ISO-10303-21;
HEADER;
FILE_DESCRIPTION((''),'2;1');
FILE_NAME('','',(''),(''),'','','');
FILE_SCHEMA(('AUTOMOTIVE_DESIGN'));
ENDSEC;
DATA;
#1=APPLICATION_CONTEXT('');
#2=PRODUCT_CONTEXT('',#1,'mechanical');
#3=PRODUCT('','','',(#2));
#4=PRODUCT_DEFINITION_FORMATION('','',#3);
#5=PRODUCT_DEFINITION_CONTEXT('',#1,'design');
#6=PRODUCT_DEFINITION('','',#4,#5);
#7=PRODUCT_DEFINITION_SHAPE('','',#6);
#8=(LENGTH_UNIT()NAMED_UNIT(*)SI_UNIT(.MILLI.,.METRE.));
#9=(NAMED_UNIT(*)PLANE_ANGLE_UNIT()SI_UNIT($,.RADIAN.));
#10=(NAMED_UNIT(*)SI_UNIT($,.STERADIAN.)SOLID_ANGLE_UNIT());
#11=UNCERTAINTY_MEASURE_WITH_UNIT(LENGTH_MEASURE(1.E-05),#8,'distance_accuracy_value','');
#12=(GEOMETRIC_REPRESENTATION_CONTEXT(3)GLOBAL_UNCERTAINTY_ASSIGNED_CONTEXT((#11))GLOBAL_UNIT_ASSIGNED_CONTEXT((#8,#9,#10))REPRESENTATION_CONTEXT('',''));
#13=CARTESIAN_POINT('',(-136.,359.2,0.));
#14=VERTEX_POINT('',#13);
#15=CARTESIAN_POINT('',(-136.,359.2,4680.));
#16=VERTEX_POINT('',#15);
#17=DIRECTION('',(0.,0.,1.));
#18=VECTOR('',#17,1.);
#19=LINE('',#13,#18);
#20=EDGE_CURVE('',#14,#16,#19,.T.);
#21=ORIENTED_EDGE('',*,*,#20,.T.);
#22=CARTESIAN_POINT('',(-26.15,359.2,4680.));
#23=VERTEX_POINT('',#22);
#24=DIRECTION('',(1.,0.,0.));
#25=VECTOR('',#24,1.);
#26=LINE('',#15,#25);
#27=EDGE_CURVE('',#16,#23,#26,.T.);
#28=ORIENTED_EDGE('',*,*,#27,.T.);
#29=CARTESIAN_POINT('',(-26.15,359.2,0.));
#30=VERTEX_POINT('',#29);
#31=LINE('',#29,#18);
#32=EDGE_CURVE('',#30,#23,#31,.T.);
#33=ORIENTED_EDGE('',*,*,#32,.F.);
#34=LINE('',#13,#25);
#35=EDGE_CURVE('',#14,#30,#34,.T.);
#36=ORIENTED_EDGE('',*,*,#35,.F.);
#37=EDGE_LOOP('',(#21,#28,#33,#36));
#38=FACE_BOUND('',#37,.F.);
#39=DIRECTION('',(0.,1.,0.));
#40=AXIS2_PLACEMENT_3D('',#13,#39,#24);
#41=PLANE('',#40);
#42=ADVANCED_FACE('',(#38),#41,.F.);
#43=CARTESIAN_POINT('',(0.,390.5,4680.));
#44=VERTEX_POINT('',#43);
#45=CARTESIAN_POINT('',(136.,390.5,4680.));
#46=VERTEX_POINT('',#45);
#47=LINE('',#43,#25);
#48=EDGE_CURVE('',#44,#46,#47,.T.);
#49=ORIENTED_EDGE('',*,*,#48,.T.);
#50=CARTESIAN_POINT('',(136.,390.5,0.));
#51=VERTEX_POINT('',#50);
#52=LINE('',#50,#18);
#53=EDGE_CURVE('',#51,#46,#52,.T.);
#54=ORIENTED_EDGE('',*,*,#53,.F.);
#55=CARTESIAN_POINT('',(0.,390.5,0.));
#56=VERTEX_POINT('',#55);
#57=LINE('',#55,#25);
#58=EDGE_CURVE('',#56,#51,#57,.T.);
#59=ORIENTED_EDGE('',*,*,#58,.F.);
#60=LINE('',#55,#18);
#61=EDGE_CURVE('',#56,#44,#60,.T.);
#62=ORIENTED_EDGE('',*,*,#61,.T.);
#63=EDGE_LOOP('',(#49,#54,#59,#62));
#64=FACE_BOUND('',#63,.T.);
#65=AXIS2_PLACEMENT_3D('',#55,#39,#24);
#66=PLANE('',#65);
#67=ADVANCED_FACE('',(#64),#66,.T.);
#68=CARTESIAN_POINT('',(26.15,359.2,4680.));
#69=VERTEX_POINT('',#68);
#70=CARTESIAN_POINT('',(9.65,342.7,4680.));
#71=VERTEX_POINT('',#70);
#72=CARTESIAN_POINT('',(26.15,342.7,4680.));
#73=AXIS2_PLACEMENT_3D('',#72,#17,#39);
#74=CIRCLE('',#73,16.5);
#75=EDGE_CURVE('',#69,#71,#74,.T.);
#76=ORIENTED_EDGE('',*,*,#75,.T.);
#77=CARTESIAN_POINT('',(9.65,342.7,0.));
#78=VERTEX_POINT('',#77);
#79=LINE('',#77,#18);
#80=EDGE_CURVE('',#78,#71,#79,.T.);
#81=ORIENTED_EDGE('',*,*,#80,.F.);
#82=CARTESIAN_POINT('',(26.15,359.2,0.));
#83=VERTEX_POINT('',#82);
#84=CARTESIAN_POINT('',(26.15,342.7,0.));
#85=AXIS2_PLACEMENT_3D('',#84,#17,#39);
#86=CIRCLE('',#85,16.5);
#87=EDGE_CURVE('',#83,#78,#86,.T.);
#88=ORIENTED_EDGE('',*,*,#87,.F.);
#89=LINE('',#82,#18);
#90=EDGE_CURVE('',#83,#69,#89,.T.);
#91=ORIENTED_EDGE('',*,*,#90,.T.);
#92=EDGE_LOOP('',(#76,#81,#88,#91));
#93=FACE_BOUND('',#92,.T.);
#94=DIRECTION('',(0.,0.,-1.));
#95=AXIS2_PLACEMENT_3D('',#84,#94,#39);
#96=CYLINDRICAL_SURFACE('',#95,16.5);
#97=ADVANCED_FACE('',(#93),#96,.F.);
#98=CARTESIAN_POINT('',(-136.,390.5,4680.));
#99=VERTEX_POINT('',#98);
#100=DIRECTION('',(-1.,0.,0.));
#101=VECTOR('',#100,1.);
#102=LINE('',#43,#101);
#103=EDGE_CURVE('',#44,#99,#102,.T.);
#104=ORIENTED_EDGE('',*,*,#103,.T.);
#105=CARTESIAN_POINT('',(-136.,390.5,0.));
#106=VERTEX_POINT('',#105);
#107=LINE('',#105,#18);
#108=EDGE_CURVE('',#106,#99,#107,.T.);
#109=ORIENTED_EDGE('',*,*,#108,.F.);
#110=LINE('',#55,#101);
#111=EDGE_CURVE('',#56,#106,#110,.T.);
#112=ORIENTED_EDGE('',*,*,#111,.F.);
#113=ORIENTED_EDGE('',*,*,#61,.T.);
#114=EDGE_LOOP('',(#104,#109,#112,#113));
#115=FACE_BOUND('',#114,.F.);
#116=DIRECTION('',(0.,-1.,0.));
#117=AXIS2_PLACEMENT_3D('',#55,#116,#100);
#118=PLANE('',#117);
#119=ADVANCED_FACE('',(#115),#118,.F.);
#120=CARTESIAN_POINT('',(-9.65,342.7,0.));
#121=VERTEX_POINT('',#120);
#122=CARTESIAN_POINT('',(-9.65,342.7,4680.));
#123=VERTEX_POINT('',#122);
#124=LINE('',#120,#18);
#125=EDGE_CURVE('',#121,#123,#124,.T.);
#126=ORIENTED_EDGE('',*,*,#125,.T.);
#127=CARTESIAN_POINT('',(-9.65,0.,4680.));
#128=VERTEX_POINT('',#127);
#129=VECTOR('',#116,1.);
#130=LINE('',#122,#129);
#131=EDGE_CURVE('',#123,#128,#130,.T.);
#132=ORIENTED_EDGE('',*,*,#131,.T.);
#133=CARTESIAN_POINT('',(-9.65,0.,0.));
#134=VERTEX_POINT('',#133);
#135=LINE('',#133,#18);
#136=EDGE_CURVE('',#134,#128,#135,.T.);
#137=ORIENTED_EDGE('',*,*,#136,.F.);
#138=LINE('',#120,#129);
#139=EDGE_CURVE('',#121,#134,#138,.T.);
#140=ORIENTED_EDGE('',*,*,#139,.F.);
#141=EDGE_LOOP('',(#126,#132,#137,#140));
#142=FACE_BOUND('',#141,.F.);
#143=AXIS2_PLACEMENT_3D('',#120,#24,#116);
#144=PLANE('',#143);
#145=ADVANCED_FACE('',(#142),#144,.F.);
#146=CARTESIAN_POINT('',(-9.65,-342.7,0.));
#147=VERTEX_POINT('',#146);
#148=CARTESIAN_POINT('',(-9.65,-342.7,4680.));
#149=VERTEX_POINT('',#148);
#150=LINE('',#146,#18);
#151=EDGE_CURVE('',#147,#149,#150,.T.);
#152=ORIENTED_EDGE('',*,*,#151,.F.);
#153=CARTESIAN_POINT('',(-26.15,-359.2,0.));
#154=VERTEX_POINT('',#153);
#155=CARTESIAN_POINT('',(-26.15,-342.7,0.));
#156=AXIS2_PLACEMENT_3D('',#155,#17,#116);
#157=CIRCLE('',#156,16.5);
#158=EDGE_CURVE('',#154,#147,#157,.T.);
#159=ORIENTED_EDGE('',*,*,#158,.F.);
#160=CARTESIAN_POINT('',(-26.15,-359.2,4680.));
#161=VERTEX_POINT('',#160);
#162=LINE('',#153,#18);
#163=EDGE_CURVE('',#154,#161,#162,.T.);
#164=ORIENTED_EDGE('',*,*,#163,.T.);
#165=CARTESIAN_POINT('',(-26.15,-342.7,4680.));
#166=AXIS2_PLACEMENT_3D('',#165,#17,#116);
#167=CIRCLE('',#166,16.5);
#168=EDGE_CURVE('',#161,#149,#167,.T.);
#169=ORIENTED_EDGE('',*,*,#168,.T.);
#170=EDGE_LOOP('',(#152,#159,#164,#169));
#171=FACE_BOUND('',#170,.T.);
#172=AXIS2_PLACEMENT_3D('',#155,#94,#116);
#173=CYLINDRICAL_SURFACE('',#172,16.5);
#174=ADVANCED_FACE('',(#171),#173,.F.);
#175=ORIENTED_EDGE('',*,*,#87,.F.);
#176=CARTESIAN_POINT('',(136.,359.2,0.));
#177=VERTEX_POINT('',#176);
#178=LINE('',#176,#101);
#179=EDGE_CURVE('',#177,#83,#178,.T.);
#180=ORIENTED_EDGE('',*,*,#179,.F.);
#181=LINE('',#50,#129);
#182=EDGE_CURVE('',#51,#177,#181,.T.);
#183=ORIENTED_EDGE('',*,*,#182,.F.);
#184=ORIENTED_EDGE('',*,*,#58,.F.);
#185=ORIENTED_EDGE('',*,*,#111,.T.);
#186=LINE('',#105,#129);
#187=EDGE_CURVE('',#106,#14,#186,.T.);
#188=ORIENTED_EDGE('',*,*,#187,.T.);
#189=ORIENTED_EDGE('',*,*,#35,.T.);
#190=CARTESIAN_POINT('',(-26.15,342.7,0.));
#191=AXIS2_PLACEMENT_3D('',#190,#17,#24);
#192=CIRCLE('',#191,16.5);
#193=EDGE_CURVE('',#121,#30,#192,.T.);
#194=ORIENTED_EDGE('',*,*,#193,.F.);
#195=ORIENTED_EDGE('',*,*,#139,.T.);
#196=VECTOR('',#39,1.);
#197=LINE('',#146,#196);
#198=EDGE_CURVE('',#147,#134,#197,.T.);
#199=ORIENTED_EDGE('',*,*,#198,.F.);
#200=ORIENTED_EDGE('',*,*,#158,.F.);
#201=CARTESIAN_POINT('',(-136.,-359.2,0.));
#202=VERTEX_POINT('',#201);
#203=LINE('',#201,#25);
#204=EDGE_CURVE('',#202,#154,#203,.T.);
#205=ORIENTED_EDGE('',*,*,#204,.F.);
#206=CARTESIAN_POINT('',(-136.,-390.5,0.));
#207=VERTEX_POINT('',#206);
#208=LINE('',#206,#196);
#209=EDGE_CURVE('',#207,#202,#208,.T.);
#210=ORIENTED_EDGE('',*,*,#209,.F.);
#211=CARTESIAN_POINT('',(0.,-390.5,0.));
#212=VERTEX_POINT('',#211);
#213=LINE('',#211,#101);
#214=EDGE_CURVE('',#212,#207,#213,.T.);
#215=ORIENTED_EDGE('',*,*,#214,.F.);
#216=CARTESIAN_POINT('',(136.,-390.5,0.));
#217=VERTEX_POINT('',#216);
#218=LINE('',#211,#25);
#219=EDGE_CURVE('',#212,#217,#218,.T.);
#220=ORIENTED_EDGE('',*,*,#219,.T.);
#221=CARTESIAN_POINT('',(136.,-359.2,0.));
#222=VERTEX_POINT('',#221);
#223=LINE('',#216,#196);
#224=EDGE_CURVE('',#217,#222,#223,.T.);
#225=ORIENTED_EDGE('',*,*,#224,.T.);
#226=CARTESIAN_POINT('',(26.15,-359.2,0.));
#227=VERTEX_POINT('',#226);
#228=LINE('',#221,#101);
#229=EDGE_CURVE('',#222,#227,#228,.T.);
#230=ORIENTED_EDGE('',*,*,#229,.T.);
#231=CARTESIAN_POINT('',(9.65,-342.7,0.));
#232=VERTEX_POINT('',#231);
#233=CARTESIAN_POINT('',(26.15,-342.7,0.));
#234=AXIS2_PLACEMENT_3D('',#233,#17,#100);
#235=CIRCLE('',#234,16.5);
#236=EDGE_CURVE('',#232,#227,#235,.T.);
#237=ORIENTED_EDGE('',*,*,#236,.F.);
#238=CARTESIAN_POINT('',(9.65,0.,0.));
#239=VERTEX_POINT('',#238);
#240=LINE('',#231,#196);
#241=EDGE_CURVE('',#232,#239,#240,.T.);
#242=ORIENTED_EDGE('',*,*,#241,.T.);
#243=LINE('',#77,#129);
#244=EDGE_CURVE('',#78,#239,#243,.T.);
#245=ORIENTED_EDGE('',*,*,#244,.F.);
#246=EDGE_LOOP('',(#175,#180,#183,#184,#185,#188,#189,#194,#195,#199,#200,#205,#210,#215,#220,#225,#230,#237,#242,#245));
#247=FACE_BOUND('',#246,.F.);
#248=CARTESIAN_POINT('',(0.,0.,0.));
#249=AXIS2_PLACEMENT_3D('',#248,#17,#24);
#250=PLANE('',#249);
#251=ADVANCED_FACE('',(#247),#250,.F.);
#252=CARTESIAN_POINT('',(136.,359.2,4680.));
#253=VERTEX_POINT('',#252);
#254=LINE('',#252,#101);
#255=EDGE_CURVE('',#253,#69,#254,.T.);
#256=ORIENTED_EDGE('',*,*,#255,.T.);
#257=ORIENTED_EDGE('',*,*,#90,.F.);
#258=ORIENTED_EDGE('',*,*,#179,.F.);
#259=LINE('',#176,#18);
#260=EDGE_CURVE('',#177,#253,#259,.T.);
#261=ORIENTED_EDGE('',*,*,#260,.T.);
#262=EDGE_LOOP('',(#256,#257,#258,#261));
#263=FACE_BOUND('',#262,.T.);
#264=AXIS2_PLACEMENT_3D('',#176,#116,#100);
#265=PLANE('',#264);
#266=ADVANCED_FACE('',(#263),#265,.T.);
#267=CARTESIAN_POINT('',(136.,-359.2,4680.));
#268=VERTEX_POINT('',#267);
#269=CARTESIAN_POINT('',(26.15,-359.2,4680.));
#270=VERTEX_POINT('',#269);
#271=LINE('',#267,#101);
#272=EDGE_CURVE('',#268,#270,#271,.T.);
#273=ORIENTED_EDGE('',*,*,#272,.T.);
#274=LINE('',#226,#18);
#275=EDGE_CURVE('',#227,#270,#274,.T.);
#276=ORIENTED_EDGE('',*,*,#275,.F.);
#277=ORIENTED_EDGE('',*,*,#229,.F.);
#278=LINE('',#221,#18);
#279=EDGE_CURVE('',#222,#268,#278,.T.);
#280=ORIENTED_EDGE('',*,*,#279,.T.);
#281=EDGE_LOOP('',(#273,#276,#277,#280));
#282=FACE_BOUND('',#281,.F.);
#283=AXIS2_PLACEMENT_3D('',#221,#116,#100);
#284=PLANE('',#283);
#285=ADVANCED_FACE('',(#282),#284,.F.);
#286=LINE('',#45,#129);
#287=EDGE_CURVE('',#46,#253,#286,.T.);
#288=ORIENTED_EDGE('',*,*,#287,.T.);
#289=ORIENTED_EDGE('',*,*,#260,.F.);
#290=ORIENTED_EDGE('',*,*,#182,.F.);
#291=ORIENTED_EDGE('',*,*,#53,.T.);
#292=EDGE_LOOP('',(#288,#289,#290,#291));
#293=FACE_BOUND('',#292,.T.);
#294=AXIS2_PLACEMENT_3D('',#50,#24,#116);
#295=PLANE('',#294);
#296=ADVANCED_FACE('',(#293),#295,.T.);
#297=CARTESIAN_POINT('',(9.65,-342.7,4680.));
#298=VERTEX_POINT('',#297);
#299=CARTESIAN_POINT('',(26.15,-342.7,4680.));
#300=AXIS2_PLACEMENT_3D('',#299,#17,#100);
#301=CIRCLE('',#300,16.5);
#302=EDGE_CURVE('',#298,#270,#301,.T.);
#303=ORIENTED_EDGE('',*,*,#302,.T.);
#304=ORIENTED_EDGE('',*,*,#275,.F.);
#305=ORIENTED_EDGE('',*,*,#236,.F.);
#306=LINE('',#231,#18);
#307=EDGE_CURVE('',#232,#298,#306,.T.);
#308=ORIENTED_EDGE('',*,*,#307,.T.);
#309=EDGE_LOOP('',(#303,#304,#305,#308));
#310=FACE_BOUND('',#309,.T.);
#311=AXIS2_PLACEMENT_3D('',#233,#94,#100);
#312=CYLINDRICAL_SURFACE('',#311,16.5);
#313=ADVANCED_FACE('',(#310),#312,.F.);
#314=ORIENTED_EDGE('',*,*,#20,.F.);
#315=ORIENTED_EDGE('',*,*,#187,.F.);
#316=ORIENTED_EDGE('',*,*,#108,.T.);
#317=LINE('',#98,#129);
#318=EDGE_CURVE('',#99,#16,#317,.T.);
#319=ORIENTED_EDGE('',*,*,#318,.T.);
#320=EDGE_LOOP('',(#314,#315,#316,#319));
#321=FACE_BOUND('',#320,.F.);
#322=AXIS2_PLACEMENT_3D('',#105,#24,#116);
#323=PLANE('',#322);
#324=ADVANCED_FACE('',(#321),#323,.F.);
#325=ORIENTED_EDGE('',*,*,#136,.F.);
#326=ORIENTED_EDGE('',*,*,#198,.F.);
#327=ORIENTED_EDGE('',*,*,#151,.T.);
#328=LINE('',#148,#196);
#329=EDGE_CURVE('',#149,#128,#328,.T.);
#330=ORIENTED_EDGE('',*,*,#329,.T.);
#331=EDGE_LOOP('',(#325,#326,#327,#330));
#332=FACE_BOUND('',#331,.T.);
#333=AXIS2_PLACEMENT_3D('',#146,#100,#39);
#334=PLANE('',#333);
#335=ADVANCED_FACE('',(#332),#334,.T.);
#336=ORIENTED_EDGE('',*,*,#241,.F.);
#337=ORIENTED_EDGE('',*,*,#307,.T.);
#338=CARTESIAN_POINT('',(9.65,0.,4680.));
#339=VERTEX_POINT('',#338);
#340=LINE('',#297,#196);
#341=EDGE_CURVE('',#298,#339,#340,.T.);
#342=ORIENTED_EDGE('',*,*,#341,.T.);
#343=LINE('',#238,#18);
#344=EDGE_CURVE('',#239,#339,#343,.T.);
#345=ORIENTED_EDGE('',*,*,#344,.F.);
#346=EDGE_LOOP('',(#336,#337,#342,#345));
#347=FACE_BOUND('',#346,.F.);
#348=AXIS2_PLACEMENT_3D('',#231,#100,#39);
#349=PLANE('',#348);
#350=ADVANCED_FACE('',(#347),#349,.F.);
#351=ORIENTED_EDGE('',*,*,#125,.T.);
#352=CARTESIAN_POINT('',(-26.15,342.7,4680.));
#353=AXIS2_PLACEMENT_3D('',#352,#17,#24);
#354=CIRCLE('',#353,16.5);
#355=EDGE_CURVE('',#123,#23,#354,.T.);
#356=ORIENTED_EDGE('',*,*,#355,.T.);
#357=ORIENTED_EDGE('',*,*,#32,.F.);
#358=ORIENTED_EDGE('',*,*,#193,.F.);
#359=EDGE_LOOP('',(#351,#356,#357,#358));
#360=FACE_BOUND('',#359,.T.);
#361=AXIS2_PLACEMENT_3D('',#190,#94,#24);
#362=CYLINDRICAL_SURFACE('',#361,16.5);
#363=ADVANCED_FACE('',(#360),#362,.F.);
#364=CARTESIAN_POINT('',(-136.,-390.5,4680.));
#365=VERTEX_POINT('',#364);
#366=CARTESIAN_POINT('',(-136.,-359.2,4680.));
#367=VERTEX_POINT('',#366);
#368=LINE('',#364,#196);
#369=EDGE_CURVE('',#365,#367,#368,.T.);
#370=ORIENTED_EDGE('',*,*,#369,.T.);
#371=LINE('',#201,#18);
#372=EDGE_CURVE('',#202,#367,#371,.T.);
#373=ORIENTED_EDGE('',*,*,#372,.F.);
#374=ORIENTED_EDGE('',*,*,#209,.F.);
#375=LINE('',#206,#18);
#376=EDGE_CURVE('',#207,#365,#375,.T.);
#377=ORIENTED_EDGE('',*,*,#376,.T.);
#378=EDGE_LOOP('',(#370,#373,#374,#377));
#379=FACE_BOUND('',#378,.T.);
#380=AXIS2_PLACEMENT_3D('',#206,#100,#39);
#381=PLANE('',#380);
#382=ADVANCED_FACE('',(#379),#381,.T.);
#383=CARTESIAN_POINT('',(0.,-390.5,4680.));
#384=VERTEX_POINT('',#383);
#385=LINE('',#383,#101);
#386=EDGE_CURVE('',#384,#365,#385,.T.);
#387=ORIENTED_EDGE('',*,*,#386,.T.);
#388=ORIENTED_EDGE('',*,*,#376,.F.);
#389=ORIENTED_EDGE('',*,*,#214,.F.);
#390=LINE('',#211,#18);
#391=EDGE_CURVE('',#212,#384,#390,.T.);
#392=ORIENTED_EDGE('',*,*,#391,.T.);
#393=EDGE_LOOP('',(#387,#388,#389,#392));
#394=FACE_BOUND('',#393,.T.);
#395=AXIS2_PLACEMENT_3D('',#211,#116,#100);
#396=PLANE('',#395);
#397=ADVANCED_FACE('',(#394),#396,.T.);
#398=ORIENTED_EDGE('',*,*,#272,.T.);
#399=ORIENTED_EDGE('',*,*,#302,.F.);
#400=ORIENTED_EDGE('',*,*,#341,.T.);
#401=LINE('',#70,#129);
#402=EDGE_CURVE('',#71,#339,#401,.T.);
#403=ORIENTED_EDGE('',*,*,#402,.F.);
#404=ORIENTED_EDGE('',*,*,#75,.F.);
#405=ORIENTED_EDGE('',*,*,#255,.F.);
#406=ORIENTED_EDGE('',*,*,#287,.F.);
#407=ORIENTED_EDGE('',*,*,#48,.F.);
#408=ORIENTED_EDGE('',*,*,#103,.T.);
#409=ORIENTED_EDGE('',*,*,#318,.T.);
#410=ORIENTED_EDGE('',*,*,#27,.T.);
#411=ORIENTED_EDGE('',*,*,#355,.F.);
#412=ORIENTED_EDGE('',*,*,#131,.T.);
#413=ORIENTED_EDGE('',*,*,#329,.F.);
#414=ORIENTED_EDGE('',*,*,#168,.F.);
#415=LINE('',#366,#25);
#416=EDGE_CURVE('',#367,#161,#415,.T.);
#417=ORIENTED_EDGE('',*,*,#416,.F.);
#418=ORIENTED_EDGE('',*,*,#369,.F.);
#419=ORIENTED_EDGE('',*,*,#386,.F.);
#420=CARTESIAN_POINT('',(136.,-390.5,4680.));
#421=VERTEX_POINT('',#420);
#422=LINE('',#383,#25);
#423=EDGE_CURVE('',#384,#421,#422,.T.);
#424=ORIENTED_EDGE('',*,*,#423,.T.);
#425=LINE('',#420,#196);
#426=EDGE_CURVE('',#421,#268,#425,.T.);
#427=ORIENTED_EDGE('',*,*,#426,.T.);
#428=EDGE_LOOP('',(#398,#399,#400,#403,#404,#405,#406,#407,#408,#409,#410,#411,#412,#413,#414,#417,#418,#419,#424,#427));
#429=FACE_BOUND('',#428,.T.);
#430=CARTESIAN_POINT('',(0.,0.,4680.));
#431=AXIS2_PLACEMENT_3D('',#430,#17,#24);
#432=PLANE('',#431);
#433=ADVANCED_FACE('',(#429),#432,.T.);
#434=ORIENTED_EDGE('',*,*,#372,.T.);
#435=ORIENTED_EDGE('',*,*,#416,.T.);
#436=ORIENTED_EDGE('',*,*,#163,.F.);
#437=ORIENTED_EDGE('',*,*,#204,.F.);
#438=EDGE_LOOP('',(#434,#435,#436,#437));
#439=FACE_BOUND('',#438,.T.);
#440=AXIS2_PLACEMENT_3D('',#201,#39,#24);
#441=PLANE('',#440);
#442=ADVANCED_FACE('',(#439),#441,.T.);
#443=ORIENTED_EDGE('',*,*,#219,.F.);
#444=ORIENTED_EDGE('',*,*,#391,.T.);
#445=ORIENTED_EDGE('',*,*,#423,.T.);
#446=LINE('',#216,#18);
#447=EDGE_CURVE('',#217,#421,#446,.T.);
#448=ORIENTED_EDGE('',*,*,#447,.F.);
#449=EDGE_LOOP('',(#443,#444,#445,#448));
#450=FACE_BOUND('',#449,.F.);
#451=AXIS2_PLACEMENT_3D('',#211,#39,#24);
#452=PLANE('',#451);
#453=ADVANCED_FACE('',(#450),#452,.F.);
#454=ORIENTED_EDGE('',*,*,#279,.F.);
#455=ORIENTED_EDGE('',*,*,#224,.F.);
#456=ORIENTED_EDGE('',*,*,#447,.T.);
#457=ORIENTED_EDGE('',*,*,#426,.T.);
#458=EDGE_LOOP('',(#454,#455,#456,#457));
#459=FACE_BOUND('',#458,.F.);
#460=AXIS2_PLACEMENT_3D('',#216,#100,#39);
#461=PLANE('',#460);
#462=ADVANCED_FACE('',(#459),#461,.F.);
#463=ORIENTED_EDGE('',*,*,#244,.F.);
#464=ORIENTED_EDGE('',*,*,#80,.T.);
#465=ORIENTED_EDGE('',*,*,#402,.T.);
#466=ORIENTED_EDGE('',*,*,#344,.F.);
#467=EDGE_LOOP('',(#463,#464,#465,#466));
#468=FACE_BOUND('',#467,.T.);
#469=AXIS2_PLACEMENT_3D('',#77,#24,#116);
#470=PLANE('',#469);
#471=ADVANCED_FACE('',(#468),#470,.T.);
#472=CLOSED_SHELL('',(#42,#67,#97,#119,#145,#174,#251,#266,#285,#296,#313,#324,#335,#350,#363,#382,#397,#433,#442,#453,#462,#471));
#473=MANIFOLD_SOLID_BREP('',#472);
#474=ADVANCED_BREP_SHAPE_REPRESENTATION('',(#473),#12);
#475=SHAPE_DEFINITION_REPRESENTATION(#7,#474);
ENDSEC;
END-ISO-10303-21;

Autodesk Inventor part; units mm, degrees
ref_plane "YZ Plane" through (0, 0, 0) normal (1, 0, 0) x (0, 1, 0)
ref_plane "Start plane" through (0, 0, 0) normal (0, 0, 1) x (1, 0, 0)
ref_plane "End plane" through (0, 0, 4680) normal (0, 0, 1) x (1, 0, 0)
sketch "Sketch" plane through (0, 0, 0) normal (0, 0, 1) x (1, 0, 0)
  line L0 (-136, -390.5) -> (-136, -359.2)
  line L1 (-136, -359.2) -> (-26.15, -359.2)
  line L2 (-9.65, -342.7) -> (-9.65, 0)
  line L3 (-9.65, 0) -> (0, 0) construction
  line L4 (0, 0) -> (0, -390.5) construction
  line L5 (0, -390.5) -> (-136, -390.5)
  line L6 (-60, 0) -> (80, 0) construction
  line L7 (0, -60) -> (0, 80) construction
  line L8 (136, -390.5) -> (136, -359.2)
  line L9 (136, -359.2) -> (26.15, -359.2)
  line L10 (9.65, -342.7) -> (9.65, 0)
  line L11 (9.65, 0) -> (0, 0) construction
  line L12 (0, -390.5) -> (136, -390.5)
  line L13 (-136, 390.5) -> (-136, 359.2)
  line L14 (-136, 359.2) -> (-26.15, 359.2)
  line L15 (-9.65, 342.7) -> (-9.65, 0)
  line L16 (0, 390.5) -> (-136, 390.5)
  line L17 (136, 390.5) -> (136, 359.2)
  line L18 (136, 359.2) -> (26.15, 359.2)
  line L19 (0, 390.5) -> (136, 390.5)
  line L20 (9.65, 342.7) -> (9.65, 0)
  arc A0 (-9.65, 342.7) -> (-26.15, 359.2) centre (-26.15, 342.7) ccw
  arc A1 (26.15, 359.2) -> (9.65, 342.7) centre (26.15, 342.7) ccw
  arc A2 (9.65, -342.7) -> (26.15, -359.2) centre (26.15, -342.7) ccw
  arc A3 (-26.15, -359.2) -> (-9.65, -342.7) centre (-26.15, -342.7) ccw
  line L21 (0, 108) -> (0, -88) construction
  line L22 (-88, 0) -> (108, 0) construction
  point P0 (-9.65, -359.2)
  point P1 (9.65, -359.2)
  point P2 (-9.65, 359.2)
  point P3 (9.65, 359.2)
  dimension "d1" = 390.5
  dimension "d2" = 31.3
  dimension "d3" = 136
  dimension "d4" = 9.65
  dimension "d10" = 16.5
extrude "Body" add sketch "Sketch" along normal up to surface (4680 mm away) from surface at 0
sketch "Sketch4" plane through (0, 0, 0) normal (0, 0, 1) x (1, 0, 0)
  line L0 (0, 0) -> (10, 0)
ref_plane "Work Plane3" through (0, 0, 0) normal (0, -1, 0) x (1, 0, 0)
sketch "Sketch5" plane through (0, 0, 0) normal (0, -1, 0) x (1, 0, 0)
  line L0 (-2, 0) -> (12, 0) projected
  line L1 (-2, 4680) -> (12, 4680) projected
  dimension "d14" = 4680
equation "\"d1\" = 0.5 * G_H"
equation "\"d2\" = G_T1"
equation "\"d3\" = 0.5 * G_W"
equation "\"d4\" = 0.5 * G_T"
equation "\"d10\" = G_IR"
equation "\"d5\" = G_L"
equation "\"G_W\" = 272"
equation "\"G_H\" = 781"
equation "\"G_T\" = 19.3"
equation "\"G_T1\" = 31.3"
equation "\"G_IR\" = 16.5"
equation "\"G_L\" = d14"
equation "\"G_OFFSET_START\" = 0"
equation "\"G_OFFSET_END\" = 0"
properties part number "AS 3679-1990 - 760 UB - 244 - 4680" material "Steel, Mild"
